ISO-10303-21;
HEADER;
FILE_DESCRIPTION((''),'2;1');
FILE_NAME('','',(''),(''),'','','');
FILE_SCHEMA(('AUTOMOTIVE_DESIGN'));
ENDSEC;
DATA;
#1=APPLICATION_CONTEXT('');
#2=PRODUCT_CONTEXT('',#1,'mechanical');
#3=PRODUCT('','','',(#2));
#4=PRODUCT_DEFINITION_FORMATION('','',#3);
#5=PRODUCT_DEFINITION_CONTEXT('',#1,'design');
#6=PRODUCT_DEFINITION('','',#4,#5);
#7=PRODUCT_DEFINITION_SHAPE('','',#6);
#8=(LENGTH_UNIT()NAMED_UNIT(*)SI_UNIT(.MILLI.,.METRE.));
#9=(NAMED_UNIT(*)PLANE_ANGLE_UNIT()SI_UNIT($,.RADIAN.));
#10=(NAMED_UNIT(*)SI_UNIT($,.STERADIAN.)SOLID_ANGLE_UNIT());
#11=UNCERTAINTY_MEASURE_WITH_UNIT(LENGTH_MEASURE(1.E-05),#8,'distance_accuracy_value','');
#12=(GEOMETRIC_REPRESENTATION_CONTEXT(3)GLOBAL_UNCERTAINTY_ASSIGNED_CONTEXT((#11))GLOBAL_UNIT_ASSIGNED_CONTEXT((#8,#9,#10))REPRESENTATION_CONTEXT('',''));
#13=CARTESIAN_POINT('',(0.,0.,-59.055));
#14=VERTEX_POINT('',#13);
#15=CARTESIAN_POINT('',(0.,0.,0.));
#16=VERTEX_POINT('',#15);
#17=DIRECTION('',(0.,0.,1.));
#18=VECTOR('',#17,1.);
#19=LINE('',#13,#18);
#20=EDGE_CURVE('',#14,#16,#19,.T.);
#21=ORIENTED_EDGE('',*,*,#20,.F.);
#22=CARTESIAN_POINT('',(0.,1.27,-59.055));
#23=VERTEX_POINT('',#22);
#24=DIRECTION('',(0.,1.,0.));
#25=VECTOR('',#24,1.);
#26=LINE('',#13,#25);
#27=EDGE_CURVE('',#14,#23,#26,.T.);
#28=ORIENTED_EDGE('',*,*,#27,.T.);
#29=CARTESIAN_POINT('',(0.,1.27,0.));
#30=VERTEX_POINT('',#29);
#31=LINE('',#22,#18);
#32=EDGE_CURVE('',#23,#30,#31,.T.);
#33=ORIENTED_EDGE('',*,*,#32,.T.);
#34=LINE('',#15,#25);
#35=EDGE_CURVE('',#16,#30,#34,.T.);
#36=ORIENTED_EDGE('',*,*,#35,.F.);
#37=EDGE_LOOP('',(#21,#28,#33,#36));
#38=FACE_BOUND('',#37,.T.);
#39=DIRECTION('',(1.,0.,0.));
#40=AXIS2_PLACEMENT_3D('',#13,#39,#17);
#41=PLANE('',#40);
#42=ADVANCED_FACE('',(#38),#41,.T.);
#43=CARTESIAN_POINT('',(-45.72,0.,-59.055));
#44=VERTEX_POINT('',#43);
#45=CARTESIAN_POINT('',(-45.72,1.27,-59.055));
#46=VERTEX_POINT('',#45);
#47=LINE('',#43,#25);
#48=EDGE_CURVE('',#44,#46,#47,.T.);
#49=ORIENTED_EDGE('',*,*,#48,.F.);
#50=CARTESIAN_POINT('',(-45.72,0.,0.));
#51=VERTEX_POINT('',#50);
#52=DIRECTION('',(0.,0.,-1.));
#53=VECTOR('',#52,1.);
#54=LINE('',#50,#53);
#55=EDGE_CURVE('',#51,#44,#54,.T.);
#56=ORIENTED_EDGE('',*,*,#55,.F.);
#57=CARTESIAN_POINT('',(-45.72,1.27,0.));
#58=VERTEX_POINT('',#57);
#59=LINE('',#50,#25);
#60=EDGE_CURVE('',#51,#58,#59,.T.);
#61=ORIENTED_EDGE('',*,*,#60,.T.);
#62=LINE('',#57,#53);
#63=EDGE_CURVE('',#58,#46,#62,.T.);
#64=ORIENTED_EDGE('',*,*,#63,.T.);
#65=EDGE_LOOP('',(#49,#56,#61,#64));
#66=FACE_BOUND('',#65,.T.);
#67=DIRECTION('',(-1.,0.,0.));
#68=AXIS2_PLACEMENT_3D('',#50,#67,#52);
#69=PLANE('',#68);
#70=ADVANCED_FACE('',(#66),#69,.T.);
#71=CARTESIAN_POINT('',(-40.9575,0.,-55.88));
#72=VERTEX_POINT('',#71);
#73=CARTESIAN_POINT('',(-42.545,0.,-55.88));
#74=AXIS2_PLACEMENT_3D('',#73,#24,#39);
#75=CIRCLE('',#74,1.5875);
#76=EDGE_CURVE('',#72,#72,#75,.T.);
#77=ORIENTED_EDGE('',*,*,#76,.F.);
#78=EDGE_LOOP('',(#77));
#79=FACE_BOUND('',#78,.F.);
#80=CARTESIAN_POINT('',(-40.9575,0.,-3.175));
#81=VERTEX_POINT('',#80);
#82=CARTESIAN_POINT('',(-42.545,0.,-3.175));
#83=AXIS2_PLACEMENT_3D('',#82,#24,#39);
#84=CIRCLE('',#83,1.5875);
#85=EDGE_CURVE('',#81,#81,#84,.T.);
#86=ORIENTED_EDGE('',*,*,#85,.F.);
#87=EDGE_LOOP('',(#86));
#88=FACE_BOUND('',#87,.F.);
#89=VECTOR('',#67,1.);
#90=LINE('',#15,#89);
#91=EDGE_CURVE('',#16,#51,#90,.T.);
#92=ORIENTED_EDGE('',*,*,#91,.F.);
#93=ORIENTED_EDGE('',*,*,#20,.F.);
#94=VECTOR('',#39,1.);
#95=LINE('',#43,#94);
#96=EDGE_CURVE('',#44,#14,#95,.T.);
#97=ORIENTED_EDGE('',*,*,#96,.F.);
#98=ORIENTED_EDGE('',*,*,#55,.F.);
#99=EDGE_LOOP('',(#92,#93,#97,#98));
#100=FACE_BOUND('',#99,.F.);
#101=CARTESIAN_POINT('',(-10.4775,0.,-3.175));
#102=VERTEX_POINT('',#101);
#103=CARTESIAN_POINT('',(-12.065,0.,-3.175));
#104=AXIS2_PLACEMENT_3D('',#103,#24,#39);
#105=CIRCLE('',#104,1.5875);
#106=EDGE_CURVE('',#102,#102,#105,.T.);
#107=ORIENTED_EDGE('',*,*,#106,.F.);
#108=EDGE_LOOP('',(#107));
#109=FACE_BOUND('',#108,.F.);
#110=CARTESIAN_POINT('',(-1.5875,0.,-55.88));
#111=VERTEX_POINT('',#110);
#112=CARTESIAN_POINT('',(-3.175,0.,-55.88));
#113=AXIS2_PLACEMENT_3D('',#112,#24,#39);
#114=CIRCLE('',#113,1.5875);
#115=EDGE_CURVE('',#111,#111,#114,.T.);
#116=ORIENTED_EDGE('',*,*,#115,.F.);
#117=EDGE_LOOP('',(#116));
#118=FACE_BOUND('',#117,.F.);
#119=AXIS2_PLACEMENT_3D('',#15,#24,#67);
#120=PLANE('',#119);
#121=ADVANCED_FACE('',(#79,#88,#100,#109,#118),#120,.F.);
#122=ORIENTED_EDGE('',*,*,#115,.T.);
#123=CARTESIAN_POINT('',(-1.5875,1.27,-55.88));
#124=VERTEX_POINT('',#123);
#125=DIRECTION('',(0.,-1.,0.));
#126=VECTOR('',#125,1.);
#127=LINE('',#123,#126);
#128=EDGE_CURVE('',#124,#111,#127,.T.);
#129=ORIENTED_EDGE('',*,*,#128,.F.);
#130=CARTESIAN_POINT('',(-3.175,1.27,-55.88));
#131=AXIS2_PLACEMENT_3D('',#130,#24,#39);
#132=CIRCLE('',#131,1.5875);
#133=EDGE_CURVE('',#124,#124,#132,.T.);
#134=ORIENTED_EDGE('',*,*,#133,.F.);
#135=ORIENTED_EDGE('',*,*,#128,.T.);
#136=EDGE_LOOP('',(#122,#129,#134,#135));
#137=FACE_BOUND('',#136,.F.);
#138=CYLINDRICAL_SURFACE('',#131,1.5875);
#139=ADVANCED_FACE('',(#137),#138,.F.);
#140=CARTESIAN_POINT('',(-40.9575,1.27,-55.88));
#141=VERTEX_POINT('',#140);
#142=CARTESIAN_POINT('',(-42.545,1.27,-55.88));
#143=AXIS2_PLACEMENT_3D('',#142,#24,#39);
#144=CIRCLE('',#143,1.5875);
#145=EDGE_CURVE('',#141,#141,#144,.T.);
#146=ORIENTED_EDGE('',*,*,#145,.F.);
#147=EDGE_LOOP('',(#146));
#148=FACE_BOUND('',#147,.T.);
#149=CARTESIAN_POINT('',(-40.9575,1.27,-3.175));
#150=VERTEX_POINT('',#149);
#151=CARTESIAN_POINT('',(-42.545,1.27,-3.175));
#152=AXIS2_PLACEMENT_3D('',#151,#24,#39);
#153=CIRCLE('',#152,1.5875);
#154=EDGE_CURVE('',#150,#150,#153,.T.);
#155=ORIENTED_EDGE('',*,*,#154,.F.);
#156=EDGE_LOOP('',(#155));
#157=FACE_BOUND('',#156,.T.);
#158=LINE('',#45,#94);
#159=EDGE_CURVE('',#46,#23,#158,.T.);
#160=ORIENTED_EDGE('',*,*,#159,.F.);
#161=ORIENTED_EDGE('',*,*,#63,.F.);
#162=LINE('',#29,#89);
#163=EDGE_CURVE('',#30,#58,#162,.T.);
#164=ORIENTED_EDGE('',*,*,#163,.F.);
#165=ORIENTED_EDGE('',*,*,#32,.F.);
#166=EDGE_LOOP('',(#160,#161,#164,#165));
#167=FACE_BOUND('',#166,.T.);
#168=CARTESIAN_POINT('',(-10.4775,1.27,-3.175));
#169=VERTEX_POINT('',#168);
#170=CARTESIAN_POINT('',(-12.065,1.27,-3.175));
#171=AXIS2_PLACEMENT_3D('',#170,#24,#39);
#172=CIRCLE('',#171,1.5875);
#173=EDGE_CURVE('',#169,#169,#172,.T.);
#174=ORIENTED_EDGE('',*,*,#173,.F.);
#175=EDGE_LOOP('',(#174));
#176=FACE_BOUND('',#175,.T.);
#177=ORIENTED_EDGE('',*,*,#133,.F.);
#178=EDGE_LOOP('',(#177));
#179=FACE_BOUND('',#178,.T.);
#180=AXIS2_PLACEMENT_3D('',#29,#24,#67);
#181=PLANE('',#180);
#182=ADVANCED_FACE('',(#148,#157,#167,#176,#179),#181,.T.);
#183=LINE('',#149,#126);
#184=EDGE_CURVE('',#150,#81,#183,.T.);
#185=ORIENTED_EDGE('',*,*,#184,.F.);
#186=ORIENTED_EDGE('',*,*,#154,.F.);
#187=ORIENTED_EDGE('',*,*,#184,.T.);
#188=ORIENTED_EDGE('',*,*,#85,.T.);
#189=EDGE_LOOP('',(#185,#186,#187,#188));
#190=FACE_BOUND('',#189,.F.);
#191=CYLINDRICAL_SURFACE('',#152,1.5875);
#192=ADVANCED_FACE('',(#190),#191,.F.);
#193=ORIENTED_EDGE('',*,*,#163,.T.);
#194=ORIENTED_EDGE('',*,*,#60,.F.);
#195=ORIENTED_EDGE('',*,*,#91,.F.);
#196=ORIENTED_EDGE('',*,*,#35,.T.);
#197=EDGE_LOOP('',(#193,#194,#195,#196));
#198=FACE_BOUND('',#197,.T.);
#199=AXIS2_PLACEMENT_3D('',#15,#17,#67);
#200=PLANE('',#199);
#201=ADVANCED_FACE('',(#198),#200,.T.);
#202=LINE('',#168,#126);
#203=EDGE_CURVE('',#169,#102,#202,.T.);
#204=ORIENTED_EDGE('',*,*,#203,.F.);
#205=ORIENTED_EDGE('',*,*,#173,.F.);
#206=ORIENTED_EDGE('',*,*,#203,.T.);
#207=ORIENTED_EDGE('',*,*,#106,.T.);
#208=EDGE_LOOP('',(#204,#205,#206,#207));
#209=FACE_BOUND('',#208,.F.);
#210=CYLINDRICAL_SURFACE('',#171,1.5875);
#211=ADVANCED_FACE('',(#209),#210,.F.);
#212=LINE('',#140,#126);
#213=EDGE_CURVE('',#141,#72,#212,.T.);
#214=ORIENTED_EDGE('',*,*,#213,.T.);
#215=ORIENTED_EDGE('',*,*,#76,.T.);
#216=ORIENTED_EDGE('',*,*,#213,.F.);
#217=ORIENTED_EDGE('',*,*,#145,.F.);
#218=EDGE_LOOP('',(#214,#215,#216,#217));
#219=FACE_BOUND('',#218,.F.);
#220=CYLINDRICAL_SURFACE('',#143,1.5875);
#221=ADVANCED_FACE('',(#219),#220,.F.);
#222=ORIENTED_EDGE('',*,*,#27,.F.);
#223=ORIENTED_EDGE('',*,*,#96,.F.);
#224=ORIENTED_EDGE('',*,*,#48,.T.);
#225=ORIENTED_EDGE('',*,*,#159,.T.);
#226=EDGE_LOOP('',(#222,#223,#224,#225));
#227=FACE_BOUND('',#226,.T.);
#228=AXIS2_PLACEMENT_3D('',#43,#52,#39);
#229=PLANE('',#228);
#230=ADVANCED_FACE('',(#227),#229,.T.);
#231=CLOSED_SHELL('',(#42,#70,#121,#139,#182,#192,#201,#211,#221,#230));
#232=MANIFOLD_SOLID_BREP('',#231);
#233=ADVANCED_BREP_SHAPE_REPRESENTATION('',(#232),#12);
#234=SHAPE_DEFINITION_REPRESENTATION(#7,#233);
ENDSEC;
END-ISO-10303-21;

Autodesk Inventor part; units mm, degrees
ref_plane "YZ Plane" through (0, 0, 0) normal (1, 0, 0) x (0, 1, 0)
ref_plane "XZ Plane" through (0, 0, 0) normal (0, 1, 0) x (-1, 0, 0)
ref_plane "XY Plane" through (0, 0, 0) normal (0, 0, 1) x (1, 0, 0)
sketch "Sketch1" plane through (0, 0, 0) normal (0, 1, 0) x (-1, 0, 0)
  line L0 (0, 0) -> (45.72, 0)
  line L1 (45.72, 0) -> (45.72, -59.055)
  line L2 (45.72, -59.055) -> (0, -59.055)
  line L3 (0, -59.055) -> (0, 0)
  dimension "d0" = 45.72
  dimension "d1" = 59.055
extrude "Extrusion1" add sketch "Sketch1" along normal blind 1.27
sketch "Sketch2" plane through (0, 1.27, 0) normal (0, 1, 0) x (1, 0, 0)
  circle A0 centre (-12.065, 3.175) radius 1.5875
  circle A1 centre (-42.545, 3.175) radius 1.5875
  circle A2 centre (-42.545, 55.88) radius 1.5875
  circle A3 centre (-3.175, 55.88) radius 1.5875
  line L0 (-45.72, 0) -> (0, 0) projected
  line L1 (0, 0) -> (0, 59.055) projected
  line L2 (0, 59.055) -> (-45.72, 59.055) projected
  line L3 (-45.72, 59.055) -> (-45.72, 0) projected
  dimension "d4" = 3.175
  dimension "d5" = 3.175
  dimension "d6" = 3.175
  dimension "d7" = 3.175
  dimension "d8" = 3.175
  dimension "d9" = 3.175
  dimension "d10" = 12.065
  dimension "d11" = 3.175
  dimension "d12" = 3.175
  dimension "d13" = 3.175
  dimension "d14" = 3.175
  dimension "d15" = 3.175
extrude "Extrusion2" cut sketch "Sketch2" against normal blind 1.524 contours A0 | A1 | A2 | A3
properties part number "High_volt_pcb"
